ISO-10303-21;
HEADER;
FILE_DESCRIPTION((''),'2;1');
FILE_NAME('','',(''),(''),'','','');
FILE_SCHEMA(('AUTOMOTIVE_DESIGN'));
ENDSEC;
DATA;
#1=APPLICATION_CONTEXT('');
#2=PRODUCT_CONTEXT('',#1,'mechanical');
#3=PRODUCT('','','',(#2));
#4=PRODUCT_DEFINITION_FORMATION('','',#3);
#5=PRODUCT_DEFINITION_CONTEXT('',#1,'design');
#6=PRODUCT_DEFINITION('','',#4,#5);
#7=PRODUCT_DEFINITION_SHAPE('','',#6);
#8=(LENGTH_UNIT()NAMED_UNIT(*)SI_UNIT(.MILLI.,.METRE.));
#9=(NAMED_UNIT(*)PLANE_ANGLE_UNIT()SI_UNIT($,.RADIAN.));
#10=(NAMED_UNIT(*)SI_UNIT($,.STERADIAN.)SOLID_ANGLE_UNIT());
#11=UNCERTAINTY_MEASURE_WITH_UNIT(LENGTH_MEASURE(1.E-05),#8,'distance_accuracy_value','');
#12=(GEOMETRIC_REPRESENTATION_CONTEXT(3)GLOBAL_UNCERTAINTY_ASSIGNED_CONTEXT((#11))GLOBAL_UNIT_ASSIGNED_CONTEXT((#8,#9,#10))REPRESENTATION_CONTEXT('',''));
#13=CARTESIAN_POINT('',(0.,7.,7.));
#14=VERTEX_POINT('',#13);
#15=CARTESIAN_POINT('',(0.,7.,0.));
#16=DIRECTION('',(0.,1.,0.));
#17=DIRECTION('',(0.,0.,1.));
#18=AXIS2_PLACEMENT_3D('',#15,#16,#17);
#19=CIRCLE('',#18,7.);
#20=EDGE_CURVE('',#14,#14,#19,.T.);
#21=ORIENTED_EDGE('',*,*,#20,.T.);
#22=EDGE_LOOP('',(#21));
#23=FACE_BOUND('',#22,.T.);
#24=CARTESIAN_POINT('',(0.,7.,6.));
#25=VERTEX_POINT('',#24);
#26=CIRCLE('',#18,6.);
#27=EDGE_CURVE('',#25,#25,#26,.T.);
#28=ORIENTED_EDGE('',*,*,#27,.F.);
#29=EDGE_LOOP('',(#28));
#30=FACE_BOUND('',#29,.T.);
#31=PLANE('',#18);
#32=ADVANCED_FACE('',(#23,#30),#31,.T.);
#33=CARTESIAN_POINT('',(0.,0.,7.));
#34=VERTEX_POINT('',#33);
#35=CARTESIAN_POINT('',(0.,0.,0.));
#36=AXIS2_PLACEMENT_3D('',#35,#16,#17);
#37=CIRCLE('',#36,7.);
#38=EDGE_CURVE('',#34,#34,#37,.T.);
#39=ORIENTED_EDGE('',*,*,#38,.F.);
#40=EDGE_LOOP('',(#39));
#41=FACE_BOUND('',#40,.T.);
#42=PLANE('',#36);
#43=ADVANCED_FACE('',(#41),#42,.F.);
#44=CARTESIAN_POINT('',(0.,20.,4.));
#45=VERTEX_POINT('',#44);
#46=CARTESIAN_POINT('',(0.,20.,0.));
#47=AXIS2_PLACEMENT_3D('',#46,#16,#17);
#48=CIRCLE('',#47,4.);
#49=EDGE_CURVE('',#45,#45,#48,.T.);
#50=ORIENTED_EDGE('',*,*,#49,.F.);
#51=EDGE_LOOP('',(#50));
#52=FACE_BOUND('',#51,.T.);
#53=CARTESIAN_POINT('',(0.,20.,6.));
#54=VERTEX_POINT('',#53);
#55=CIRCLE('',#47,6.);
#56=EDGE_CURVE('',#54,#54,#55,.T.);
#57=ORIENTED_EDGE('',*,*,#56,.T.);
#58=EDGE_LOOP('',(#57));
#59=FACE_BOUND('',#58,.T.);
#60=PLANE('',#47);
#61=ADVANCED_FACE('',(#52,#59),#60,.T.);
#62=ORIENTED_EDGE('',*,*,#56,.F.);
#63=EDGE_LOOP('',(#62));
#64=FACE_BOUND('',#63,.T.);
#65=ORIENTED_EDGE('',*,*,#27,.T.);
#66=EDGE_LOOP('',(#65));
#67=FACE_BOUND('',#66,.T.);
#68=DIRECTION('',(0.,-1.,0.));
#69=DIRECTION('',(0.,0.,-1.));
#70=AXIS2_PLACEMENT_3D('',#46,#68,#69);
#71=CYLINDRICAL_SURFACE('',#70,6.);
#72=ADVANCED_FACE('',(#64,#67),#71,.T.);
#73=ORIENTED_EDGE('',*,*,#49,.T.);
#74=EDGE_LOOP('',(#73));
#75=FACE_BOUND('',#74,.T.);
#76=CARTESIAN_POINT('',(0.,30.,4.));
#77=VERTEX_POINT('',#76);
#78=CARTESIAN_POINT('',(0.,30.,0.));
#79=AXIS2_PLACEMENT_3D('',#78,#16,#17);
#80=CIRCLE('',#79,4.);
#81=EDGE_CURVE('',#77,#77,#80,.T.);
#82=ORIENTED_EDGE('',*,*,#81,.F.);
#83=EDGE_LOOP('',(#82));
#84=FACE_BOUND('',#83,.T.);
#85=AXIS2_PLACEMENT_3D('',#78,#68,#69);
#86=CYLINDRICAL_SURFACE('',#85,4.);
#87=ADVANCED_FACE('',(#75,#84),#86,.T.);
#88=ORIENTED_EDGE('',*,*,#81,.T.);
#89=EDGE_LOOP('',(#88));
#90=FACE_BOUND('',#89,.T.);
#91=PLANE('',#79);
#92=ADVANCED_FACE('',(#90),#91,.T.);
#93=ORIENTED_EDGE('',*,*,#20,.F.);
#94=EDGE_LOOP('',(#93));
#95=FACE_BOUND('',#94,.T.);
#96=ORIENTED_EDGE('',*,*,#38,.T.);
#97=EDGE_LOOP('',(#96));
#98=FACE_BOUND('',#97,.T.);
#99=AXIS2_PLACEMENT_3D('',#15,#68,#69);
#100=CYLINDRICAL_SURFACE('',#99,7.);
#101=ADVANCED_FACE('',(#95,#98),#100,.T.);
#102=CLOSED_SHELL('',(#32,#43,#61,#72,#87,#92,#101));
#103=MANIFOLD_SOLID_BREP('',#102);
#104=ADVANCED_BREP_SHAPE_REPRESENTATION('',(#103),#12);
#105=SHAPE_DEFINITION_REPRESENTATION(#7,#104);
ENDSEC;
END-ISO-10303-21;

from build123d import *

# Parameters (mm, degrees)
SKETCH1_R           = 7
BOSS_EXTRUDE1_DEPTH = 7
SKETCH2_R           = 6
BOSS_EXTRUDE2_DEPTH = 13
SKETCH3_R           = 4
BOSS_EXTRUDE3_DEPTH = 10


with BuildPart() as part:
    # Sketch1 → Boss-Extrude1 (new body)
    with BuildSketch(Plane(origin=(0, 0, 0), x_dir=(1, 0, 0), z_dir=(0, 1, 0))):
        Circle(SKETCH1_R)
    extrude(amount=BOSS_EXTRUDE1_DEPTH)

    # Sketch2 → Boss-Extrude2 (add)
    with BuildSketch(Plane(origin=(0, 7, 0), x_dir=(1, 0, 0), z_dir=(0, 1, 0))):
        Circle(SKETCH2_R)
    extrude(amount=BOSS_EXTRUDE2_DEPTH)

    # Sketch3 → Boss-Extrude3 (add)
    with BuildSketch(Plane(origin=(0, 20, 0), x_dir=(1, 0, 0), z_dir=(0, 1, 0))):
        Circle(SKETCH3_R)
    extrude(amount=BOSS_EXTRUDE3_DEPTH)


solid = part.part
